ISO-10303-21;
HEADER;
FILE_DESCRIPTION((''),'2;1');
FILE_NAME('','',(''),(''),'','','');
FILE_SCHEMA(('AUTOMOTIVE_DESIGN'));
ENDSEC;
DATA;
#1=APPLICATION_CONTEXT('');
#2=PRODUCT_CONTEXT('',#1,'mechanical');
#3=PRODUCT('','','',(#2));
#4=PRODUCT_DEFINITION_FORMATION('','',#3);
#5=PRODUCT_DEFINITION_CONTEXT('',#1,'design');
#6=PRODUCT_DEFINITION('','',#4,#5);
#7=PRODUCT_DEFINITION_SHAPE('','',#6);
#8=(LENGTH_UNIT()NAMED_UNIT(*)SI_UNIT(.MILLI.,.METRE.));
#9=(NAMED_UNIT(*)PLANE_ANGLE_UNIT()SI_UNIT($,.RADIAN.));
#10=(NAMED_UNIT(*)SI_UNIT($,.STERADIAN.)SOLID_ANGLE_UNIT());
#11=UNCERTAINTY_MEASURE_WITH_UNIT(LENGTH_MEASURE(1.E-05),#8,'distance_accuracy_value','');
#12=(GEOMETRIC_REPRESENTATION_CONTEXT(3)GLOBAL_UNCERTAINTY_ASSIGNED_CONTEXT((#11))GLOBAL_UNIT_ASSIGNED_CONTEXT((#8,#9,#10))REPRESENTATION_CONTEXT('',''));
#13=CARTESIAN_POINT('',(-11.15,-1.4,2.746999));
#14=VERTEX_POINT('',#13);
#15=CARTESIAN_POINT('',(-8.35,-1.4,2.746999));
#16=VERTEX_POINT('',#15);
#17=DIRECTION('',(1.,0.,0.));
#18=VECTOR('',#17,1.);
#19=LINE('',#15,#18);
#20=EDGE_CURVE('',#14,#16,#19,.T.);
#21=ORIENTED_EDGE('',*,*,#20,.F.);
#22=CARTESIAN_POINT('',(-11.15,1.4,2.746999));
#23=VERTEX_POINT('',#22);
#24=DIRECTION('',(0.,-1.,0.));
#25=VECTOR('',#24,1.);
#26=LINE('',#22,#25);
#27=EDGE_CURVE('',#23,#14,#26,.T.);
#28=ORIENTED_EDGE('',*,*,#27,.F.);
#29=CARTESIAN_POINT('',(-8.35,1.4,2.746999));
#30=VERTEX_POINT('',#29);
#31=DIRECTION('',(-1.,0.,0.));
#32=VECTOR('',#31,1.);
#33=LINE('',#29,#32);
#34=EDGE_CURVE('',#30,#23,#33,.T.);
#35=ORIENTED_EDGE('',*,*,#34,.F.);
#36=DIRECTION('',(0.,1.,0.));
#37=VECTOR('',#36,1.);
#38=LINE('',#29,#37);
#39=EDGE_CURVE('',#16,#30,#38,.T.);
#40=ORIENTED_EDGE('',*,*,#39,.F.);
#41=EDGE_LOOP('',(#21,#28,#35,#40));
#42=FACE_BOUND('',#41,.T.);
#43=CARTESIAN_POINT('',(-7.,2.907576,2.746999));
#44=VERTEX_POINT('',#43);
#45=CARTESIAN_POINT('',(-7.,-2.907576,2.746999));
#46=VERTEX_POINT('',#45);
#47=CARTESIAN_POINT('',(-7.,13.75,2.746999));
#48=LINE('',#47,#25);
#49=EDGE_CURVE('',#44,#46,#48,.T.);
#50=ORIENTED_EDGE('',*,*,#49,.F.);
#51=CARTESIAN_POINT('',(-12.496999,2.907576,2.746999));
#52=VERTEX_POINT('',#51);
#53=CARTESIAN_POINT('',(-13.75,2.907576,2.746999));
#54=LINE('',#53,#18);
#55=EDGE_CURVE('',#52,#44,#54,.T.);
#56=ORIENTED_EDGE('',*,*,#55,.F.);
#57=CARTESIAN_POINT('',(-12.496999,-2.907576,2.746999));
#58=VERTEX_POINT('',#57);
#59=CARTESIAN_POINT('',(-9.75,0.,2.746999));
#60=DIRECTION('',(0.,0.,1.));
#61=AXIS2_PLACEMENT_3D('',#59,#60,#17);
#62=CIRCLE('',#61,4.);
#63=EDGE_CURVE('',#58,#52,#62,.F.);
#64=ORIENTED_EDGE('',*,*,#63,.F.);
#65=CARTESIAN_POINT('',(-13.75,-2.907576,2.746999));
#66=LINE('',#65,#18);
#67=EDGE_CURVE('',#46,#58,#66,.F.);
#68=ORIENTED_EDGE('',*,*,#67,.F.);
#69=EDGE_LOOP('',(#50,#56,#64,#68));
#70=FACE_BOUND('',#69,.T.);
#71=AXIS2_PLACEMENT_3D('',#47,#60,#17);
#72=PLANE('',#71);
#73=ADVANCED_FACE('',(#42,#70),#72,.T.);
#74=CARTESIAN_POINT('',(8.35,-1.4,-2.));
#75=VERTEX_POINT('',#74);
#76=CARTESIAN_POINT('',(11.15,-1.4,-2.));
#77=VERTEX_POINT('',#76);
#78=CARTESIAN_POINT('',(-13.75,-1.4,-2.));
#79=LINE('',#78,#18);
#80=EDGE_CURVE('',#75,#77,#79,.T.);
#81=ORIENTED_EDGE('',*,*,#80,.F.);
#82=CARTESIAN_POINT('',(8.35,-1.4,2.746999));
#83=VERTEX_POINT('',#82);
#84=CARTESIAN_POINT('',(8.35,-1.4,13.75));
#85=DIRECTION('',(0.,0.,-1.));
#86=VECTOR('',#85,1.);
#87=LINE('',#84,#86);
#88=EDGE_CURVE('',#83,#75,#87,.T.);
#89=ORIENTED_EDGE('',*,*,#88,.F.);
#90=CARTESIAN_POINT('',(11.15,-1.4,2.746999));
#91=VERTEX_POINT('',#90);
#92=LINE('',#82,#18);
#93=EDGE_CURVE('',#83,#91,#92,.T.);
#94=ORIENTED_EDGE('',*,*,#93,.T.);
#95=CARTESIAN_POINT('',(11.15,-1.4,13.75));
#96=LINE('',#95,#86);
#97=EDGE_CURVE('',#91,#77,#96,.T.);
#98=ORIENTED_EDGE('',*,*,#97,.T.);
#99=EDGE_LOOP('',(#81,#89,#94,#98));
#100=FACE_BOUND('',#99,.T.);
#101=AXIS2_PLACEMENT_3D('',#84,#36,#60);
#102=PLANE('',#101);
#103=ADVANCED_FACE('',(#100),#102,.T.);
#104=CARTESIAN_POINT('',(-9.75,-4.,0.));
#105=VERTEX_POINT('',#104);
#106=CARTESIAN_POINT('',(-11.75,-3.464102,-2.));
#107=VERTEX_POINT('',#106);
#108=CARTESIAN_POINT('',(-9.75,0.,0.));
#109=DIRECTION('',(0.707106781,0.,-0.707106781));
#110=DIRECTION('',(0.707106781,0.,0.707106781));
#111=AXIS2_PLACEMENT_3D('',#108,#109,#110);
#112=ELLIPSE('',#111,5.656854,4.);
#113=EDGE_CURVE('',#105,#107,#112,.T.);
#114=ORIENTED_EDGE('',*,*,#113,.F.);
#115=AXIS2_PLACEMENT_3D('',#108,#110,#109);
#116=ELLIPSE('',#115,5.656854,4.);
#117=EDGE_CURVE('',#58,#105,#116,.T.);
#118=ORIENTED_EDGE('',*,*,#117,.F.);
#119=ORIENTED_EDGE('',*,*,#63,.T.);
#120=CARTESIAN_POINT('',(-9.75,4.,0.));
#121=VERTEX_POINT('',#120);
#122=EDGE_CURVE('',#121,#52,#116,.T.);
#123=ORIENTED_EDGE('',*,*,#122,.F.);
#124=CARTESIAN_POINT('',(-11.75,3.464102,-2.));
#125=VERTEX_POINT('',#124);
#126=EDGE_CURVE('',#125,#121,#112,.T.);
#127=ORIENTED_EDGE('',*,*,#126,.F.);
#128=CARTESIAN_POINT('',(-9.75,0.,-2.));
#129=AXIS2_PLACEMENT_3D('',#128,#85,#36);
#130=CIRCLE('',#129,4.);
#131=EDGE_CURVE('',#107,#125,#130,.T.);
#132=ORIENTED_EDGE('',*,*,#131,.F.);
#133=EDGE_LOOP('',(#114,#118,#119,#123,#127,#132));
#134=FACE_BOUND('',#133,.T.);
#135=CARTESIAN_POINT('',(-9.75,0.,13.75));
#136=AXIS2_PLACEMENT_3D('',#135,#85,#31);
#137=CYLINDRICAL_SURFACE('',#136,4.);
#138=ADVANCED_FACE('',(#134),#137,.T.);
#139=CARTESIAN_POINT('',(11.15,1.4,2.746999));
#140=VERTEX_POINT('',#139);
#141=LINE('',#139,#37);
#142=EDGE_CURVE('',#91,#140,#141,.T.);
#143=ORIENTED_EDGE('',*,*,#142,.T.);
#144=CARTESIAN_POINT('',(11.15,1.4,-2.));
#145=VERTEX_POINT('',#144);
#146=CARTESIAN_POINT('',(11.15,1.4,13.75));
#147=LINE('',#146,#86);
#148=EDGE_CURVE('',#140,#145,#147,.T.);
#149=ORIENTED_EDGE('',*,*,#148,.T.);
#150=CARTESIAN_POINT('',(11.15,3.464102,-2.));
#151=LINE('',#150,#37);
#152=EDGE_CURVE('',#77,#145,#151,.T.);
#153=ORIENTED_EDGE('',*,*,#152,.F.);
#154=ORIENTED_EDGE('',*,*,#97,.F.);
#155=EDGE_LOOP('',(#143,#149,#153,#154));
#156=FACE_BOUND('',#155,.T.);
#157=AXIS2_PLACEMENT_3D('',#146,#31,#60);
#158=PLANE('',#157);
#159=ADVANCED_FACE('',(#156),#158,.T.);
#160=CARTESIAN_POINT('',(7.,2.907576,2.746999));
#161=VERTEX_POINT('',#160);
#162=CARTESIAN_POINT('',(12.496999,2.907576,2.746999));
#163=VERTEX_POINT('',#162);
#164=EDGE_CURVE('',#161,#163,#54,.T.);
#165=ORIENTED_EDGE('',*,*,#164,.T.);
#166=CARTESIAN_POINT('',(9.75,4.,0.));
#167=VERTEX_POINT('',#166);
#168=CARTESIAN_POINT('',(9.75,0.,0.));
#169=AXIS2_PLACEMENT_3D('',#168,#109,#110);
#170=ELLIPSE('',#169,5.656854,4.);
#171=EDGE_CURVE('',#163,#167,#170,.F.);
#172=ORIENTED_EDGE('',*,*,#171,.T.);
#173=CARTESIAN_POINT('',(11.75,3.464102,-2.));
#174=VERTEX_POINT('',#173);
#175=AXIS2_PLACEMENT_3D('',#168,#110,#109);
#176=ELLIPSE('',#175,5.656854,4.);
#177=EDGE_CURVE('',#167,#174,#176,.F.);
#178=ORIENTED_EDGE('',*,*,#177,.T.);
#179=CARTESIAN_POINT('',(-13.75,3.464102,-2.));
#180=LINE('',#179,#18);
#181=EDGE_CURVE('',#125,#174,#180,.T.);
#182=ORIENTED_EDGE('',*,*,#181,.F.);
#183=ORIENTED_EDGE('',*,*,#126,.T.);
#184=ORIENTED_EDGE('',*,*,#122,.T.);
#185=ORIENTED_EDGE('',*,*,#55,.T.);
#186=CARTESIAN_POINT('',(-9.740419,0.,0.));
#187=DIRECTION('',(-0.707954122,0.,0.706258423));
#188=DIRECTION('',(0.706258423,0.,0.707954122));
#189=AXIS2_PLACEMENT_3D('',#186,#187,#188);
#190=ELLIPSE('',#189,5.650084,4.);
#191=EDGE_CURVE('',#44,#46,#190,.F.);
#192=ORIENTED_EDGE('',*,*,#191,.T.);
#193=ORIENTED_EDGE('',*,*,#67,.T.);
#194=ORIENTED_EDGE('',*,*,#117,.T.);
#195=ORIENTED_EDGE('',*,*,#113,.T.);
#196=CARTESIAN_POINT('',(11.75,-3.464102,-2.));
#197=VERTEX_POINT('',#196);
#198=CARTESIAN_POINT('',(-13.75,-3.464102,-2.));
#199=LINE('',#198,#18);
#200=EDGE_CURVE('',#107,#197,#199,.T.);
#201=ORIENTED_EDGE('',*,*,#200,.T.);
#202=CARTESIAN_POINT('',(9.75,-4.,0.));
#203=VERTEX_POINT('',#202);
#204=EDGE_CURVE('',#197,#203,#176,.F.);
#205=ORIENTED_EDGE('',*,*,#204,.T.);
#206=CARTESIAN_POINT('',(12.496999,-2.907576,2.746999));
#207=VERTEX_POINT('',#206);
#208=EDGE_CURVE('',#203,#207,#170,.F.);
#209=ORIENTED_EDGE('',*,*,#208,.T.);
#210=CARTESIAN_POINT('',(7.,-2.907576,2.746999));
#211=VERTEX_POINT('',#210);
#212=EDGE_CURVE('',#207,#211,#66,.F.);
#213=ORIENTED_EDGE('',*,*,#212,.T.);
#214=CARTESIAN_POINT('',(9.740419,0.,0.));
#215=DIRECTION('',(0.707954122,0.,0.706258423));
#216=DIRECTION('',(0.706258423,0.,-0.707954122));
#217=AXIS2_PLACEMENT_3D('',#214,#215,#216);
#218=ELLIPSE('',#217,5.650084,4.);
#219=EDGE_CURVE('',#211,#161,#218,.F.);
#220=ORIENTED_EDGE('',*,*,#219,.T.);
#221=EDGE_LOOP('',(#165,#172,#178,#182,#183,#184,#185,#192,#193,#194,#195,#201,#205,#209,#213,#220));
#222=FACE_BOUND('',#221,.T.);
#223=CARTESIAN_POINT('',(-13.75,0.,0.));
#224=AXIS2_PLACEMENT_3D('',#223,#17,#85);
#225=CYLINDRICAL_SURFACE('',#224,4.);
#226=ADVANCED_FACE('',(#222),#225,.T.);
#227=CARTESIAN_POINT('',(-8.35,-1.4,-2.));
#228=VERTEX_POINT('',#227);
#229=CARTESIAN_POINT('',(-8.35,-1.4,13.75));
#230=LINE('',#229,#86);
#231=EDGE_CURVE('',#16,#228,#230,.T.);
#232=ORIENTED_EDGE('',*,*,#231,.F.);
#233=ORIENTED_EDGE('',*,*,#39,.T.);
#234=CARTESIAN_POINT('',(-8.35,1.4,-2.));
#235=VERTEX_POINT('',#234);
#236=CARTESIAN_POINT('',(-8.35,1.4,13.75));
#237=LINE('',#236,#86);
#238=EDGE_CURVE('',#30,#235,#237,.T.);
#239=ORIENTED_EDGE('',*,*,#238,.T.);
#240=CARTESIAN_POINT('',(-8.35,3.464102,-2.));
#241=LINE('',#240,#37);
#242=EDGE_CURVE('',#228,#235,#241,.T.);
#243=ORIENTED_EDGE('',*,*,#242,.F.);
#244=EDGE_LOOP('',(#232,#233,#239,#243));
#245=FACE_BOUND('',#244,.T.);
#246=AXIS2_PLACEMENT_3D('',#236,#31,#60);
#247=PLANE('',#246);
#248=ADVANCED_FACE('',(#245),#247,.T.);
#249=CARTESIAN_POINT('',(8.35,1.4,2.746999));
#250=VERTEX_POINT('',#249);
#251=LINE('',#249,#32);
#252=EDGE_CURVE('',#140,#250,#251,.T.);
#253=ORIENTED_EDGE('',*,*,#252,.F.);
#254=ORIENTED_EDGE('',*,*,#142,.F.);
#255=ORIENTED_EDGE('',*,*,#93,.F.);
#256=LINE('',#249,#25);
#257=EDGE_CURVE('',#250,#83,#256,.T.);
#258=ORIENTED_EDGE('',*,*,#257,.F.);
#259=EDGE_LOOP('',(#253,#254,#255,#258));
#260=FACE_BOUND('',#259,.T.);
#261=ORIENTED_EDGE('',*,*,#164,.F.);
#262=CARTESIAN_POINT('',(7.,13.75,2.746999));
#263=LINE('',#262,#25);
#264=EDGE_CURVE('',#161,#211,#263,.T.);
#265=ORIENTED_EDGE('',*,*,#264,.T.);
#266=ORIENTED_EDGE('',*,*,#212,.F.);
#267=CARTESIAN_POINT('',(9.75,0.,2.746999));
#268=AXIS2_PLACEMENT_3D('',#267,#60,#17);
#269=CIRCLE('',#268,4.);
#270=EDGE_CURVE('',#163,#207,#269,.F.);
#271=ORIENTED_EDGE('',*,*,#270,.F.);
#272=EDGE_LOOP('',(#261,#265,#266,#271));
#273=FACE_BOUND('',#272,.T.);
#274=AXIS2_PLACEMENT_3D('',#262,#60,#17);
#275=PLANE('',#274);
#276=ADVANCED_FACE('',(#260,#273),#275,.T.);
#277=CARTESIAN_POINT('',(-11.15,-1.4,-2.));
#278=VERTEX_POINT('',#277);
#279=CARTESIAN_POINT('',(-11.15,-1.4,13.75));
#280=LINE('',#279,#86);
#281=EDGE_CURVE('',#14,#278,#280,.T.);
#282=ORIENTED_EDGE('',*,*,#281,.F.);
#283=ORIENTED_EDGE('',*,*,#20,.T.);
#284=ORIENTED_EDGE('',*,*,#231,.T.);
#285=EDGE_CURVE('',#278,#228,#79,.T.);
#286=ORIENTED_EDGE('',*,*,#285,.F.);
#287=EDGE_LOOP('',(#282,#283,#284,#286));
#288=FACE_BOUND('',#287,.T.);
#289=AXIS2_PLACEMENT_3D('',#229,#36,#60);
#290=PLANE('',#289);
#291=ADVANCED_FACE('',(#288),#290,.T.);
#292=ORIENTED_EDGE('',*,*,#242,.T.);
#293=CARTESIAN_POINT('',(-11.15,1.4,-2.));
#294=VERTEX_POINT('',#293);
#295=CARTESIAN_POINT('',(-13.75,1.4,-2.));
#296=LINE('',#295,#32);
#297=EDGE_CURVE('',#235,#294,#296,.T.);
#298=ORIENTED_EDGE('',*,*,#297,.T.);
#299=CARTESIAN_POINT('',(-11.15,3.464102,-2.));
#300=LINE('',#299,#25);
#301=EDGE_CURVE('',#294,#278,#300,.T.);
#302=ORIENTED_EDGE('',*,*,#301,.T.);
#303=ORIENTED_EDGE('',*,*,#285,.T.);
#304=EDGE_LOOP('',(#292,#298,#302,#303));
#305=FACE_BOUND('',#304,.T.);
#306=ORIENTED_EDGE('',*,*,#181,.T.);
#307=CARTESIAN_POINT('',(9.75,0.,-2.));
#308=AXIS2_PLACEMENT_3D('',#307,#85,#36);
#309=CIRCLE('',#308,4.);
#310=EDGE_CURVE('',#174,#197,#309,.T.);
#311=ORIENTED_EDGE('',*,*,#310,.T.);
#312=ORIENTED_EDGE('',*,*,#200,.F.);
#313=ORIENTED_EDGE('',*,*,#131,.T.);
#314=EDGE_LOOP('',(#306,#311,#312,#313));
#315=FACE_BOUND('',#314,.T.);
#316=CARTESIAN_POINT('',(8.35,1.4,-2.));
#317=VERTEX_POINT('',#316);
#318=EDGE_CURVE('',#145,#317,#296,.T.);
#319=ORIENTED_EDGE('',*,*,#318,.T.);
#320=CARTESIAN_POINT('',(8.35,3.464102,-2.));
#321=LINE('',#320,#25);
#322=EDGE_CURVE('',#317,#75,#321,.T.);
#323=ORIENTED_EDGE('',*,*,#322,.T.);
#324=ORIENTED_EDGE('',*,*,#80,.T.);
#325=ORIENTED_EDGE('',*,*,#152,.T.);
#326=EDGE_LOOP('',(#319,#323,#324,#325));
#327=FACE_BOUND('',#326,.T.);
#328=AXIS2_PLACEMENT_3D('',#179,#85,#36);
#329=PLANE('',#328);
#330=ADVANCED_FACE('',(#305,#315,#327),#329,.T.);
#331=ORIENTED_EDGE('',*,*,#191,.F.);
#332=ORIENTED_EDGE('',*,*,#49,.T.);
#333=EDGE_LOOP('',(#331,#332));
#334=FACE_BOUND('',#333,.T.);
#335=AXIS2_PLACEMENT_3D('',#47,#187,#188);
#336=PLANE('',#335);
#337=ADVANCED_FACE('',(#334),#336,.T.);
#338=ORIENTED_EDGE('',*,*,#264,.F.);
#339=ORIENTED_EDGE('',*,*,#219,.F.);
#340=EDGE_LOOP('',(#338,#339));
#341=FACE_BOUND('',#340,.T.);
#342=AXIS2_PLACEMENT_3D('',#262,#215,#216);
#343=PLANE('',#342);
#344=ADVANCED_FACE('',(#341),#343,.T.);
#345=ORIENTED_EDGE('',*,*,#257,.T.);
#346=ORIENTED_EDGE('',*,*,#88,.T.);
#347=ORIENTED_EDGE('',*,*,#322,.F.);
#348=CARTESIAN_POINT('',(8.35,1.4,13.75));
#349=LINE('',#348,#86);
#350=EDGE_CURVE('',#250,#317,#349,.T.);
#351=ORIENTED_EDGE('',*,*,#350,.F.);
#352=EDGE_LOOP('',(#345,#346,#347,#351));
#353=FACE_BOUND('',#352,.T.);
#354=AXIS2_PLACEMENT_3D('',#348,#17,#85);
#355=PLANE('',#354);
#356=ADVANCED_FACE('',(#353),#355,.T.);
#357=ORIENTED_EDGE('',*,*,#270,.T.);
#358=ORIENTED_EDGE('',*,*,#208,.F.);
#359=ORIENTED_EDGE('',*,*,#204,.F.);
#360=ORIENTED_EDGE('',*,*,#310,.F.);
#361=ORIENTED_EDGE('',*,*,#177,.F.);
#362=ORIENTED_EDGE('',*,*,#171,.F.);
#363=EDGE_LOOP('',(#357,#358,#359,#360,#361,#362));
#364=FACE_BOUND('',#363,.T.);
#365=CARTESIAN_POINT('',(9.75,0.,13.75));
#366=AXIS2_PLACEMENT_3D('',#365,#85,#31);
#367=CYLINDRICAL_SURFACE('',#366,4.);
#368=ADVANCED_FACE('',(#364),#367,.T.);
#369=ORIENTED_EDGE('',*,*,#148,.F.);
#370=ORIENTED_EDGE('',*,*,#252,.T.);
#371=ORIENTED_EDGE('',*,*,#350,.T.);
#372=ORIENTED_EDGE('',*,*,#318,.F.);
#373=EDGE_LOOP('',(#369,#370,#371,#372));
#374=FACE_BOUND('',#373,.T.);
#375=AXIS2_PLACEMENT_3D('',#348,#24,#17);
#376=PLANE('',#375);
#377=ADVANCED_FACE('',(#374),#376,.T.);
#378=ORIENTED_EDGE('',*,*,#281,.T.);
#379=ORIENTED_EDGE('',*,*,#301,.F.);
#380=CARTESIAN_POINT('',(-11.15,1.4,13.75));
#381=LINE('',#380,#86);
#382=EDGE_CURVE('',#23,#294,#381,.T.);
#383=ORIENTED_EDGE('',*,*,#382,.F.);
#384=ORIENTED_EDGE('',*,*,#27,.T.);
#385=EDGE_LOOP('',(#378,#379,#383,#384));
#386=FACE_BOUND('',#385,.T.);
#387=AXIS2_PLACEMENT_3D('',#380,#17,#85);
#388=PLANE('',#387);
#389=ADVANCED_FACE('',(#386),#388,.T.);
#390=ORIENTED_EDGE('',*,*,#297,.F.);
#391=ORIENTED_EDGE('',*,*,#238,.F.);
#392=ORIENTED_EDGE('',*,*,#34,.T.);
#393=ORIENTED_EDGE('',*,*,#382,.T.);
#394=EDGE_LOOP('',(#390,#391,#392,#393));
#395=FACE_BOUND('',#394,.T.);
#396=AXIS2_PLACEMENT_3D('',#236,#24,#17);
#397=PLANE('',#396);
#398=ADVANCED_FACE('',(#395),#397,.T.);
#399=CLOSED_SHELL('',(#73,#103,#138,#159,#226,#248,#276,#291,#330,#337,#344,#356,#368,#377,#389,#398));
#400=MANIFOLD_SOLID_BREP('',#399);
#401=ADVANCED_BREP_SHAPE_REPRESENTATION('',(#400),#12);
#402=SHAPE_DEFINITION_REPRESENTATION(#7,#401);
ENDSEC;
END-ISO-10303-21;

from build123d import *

# Parameters (mm, degrees)
RESSALTO_EXTRUS_O1_DEPTH      = 13.75
RESSALTO_EXTRUS_O1_DEPTH_BACK = 13.75
CORTE_EXTRUS_O1_DEPTH         = 13.75
CORTE_EXTRUS_O1_DEPTH_BACK    = 13.75
ESBO_O1_W                     = 2.8
ESBO_O1_H                     = 2.8
CORTE_EXTRUS_O2_DEPTH         = 13.75
CORTE_EXTRUS_O2_DEPTH_BACK    = 13.75


with BuildPart() as part:
    # Esboço2 → Ressalto-extrusão1 (new, two sides: drawn at the far end of the back side and taken through both)
    with BuildSketch(Plane(origin=(0, 0, 0), x_dir=(0, 0, -1), z_dir=(1, 0, 0)).offset(-RESSALTO_EXTRUS_O1_DEPTH_BACK)):
        with BuildLine():
            Line((2, 3.464101615), (2, -3.464101615))
            ThreePointArc((2, -3.464101615), (-4, 0), (2, 3.464101615))
        make_face()
    extrude(amount=RESSALTO_EXTRUS_O1_DEPTH + RESSALTO_EXTRUS_O1_DEPTH_BACK)

    # Esboço1 → Corte-extrusão1 (cut, two sides: drawn at the far end of the back side and taken through both)
    with BuildSketch(Plane.XY.offset(-CORTE_EXTRUS_O1_DEPTH_BACK)):
        with Locations((9.75, 0)):
            Rectangle(ESBO_O1_W, ESBO_O1_H)
        with BuildLine():
            Line((9.75, 4), (9.75, 5))
            Line((9.75, 5), (14.75, 5))
            Line((14.75, 5), (14.75, -5))
            Line((14.75, -5), (9.75, -5))
            Line((9.75, -5), (9.75, -4))
            ThreePointArc((9.75, -4), (13.75, 0), (9.75, 4))
        make_face()
        with BuildLine():
            Line((-9.75, -4), (-9.75, -5))
            Line((-9.75, -5), (-14.75, -5))
            Line((-14.75, -5), (-14.75, 5))
            Line((-14.75, 5), (-9.75, 5))
            Line((-9.75, 5), (-9.75, 4))
            ThreePointArc((-9.75, 4), (-13.75, 0), (-9.75, -4))
        make_face()
        with Locations((-9.75, 0)):
            Rectangle(ESBO_O1_W, ESBO_O1_H)
    extrude(amount=CORTE_EXTRUS_O1_DEPTH + CORTE_EXTRUS_O1_DEPTH_BACK, mode=Mode.SUBTRACT)

    # Esboço3 → Corte-extrusão2 (cut, two sides: drawn at the far end of the back side and taken through both)
    with BuildSketch(Plane(origin=(0, 0, 0), x_dir=(1, 0, 0), z_dir=(0, 1, 0)).offset(-CORTE_EXTRUS_O2_DEPTH_BACK)):
        Polygon((-7, -2.746998799), (-5.75, -4), (-5.75, -4.746998799), (-13.75, -4.746998799), (-13.75, -2.746998799), align=None)
        Polygon((13.75, -4.746998799), (13.75, -2.746998799), (7, -2.746998799), (5.75, -4), (5.75, -4.746998799), align=None)
    extrude(amount=CORTE_EXTRUS_O2_DEPTH + CORTE_EXTRUS_O2_DEPTH_BACK, mode=Mode.SUBTRACT)


solid = part.part
